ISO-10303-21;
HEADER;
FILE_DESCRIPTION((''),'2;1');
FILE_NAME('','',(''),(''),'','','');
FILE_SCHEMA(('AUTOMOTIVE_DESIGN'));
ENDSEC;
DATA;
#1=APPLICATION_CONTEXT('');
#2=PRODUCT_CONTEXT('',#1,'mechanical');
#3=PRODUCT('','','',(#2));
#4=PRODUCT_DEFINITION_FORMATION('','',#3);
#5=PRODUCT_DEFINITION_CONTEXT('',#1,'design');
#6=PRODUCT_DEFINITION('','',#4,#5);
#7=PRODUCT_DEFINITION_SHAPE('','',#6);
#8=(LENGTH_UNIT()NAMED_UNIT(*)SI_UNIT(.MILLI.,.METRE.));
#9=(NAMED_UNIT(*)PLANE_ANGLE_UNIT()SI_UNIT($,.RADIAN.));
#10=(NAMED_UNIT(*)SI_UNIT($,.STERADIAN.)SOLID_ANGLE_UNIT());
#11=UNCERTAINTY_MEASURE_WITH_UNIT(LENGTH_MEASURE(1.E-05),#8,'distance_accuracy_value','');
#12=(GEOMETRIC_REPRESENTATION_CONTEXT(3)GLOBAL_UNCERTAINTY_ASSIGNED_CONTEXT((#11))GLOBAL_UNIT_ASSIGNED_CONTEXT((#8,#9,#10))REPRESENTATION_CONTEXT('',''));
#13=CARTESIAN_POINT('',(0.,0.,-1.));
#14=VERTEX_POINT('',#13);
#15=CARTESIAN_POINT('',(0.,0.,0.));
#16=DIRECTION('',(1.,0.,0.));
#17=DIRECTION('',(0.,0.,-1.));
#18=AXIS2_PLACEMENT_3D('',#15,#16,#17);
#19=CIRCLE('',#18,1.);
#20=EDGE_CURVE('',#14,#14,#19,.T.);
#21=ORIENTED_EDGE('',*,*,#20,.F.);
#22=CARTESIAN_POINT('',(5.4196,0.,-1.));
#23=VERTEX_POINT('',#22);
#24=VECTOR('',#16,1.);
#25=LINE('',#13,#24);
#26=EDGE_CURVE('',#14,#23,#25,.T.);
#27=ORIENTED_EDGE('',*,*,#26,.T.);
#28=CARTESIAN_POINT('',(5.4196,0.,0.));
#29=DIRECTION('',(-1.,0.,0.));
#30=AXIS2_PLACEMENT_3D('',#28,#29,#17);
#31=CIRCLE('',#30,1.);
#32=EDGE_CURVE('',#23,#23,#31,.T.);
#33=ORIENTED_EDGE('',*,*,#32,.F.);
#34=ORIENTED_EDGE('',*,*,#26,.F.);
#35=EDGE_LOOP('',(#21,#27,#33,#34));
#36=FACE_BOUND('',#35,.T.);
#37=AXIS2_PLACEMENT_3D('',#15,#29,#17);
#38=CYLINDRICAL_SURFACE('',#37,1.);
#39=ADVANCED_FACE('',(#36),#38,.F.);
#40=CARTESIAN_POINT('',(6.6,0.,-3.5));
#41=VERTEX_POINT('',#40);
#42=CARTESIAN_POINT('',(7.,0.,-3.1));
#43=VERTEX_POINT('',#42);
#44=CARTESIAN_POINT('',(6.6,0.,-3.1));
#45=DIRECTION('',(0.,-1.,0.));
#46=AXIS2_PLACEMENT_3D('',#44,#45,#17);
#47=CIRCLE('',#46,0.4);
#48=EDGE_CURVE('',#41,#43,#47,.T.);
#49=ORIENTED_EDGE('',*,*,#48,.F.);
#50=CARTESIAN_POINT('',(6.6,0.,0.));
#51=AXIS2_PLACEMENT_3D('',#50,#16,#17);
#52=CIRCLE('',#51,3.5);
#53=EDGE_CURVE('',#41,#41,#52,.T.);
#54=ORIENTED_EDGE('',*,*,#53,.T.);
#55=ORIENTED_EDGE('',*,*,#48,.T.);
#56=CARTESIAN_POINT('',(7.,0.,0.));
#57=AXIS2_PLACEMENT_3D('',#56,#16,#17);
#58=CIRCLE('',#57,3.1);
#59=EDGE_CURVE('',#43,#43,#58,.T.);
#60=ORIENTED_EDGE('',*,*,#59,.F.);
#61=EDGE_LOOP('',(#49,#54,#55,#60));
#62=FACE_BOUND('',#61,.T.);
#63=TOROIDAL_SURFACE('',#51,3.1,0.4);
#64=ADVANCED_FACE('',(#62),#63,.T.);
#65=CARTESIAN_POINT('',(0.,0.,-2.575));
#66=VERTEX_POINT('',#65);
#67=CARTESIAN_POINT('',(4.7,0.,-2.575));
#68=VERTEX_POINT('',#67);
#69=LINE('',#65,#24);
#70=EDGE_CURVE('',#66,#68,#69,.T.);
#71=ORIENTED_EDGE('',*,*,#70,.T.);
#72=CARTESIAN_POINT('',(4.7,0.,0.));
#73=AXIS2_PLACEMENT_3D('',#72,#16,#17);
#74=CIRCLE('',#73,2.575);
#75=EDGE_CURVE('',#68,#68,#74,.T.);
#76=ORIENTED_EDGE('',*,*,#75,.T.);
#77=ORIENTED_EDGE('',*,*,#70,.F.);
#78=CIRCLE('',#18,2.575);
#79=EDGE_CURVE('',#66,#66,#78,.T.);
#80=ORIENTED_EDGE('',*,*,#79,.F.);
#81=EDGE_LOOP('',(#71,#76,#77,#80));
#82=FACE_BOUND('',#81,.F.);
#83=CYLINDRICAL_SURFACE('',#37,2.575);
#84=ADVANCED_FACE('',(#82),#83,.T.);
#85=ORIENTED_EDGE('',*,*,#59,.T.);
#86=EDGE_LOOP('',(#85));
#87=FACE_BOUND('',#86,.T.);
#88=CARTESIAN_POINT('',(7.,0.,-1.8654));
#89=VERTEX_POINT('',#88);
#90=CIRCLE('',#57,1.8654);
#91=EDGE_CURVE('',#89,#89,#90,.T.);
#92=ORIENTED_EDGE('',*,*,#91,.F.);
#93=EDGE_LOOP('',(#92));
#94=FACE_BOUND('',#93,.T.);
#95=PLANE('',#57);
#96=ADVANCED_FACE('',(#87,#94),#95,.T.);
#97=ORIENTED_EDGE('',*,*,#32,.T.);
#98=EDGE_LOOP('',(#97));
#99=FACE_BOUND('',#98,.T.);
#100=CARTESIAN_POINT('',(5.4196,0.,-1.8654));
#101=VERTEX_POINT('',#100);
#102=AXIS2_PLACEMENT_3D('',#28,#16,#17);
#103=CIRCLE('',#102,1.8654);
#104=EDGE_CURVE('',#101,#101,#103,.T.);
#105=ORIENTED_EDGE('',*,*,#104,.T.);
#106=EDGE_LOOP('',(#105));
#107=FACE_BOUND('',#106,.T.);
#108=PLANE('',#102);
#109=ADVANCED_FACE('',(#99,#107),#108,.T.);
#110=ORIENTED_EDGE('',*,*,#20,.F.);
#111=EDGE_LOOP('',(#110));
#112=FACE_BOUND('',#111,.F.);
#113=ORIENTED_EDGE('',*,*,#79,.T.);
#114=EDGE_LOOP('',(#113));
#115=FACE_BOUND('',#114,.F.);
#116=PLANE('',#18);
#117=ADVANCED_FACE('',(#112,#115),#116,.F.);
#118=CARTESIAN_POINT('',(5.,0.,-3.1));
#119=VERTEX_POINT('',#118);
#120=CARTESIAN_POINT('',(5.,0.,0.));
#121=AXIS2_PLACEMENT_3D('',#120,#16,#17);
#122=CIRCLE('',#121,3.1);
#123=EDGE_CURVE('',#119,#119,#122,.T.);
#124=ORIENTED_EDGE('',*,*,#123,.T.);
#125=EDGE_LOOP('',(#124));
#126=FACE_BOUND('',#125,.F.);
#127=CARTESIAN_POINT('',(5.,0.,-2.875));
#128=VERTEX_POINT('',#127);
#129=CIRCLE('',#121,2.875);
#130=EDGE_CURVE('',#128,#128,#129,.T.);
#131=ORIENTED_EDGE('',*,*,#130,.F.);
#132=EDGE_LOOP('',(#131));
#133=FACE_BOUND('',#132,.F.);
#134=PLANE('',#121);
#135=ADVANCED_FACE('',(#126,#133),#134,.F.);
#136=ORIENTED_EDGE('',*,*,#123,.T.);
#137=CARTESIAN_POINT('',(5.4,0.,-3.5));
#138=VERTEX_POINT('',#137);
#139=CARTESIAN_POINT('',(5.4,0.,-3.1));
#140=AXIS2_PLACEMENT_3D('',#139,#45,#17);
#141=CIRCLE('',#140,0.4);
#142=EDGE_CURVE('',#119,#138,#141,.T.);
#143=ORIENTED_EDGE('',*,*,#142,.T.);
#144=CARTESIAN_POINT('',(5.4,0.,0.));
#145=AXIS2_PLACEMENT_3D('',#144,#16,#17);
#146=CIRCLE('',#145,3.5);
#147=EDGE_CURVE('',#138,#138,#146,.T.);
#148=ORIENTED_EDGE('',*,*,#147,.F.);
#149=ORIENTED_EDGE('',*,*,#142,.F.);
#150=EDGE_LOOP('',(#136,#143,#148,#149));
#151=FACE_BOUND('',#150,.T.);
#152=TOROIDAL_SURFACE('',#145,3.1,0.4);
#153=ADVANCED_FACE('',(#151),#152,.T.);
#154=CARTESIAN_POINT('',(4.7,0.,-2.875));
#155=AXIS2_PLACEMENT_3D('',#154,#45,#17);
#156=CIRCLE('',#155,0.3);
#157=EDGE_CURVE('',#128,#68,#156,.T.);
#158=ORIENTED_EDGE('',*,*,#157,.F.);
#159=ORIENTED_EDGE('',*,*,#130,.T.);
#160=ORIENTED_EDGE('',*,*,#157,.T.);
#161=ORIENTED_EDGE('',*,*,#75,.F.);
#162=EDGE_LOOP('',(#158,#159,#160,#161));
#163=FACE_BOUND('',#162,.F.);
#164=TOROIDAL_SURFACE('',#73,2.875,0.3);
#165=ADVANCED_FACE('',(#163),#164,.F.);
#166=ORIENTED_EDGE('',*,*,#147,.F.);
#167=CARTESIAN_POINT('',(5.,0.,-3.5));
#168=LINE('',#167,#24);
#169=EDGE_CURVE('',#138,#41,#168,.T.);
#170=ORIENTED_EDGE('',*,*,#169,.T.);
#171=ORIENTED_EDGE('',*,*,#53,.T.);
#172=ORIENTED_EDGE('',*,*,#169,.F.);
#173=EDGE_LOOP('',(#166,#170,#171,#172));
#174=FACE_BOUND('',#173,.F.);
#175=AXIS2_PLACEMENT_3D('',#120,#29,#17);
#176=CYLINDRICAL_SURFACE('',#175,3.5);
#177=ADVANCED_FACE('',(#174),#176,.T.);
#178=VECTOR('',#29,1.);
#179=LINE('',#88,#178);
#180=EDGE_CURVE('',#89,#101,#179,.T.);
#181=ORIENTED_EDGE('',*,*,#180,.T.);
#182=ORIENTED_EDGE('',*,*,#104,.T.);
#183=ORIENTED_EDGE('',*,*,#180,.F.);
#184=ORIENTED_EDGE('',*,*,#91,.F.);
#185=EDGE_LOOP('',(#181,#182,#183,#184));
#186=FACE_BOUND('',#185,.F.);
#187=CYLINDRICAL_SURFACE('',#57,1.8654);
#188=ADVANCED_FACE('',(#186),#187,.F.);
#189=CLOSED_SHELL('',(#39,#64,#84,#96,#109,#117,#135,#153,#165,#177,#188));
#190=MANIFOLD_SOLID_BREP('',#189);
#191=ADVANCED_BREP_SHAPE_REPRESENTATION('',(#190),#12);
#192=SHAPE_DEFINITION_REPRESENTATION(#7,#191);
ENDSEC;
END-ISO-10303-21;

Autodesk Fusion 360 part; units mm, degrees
sketch "Sketch1" plane through (0, 0, 0) normal (1, 0, 0) x (0, 0, -1)
  circle A0 centre (0, 0) radius 2.575
  dimension "d1" = 5.15
extrude "Extrude1" add sketch "Sketch1" along normal blind 5
sketch "Sketch2" plane through (5, 0, 0) normal (1, 0, 0) x (0, 0, -1)
  circle A0 centre (0, 0) radius 2.575
  circle A1 centre (0, 0) radius 3.5
  dimension "d4" = 7
extrude "Extrude2" add sketch "Sketch2" along normal blind 2 contours A0 | A1
sketch "Sketch3" plane through (0, 0, 0) normal (1, 0, 0) x (0, 0, -1)
  circle A0 centre (0, 0) radius 1
  dimension "d7" = 2
extrude "Extrude3" cut sketch "Sketch3" along normal up to surface (7 mm away)
sketch "Sketch4" plane through (7, 0, 0) normal (1, 0, 0) x (0, 0, -1)
  circle A0 centre (0, 0) radius 1
  circle A1 centre (0, 0) radius 3.5
  line L0 (2.02, -2.1816) -> (-2.02, -2.1816) construction
  line L1 (-2.02, -2.1816) -> (-2.02, 2.1816) construction
  line L2 (-2.02, 2.1816) -> (2.02, 2.1816) construction
  line L3 (2.02, 2.1816) -> (2.02, -2.1816) construction
  line L4 (2.02, -2.1816) -> (-2.02, 2.1816) construction
  line L5 (-2.02, -2.1816) -> (2.02, 2.1816) construction
  line L6 (-2.02, 0) -> (2.02, 0) construction
  line L7 (0, -2.1816) -> (0, 2.1816) construction
  line L8 (-2.02, 1.137) -> (-2.02, -1.137)
  line L9 (2.02, 1.137) -> (2.02, -1.137)
  line L10 (-2.02, 1.137) -> (0, 2.1816)
  line L11 (0, 2.1816) -> (2.02, 1.137)
  line L12 (2.02, -1.137) -> (0, -2.1816)
  line L13 (0, -2.1816) -> (-2.02, -1.137)
  circle A2 centre (0, 0) radius 1.8654
  dimension "d10" = 4.04
  dimension "d11" = 4.3632
  dimension "d22" = 3.7308
fillet "Fillet1" radius 0.3 1 edges at (5, -0.9312, 2.4007)
fillet "Fillet2" radius 0.4 2 edges at (5, -1.2657, 3.2631) (7, -1.2657, 3.2631)
extrude "Extrude6" cut sketch "Sketch4" against normal blind 1.5804 contours A0 | A2
sketch "Sketch5" plane through (0, 0, 0) normal (1, 0, 0) x (0, 0, -1)
  line L0 (-3.5, 0) -> (3.5, 0)
  line L1 (3.5, 0) -> (3.5, -3.5)
  line L2 (3.5, -3.5) -> (-3.5, -3.5)
  line L3 (-3.5, -3.5) -> (-3.5, 0)
  dimension "d18" = 7
  dimension "d19" = 3.5
extrude "Extrude5" [suppressed]
equation "d1 = 5 mm * 1.03"
equation "d10 = ( 4 * 1.01 ) * 1 mm"
equation "d11 = ( 4.32 * 1.01 ) * 1 mm"
equation "d22 = 0.144 in * 1.02"
equation "d23 = -0.061 * 1.02 in"
